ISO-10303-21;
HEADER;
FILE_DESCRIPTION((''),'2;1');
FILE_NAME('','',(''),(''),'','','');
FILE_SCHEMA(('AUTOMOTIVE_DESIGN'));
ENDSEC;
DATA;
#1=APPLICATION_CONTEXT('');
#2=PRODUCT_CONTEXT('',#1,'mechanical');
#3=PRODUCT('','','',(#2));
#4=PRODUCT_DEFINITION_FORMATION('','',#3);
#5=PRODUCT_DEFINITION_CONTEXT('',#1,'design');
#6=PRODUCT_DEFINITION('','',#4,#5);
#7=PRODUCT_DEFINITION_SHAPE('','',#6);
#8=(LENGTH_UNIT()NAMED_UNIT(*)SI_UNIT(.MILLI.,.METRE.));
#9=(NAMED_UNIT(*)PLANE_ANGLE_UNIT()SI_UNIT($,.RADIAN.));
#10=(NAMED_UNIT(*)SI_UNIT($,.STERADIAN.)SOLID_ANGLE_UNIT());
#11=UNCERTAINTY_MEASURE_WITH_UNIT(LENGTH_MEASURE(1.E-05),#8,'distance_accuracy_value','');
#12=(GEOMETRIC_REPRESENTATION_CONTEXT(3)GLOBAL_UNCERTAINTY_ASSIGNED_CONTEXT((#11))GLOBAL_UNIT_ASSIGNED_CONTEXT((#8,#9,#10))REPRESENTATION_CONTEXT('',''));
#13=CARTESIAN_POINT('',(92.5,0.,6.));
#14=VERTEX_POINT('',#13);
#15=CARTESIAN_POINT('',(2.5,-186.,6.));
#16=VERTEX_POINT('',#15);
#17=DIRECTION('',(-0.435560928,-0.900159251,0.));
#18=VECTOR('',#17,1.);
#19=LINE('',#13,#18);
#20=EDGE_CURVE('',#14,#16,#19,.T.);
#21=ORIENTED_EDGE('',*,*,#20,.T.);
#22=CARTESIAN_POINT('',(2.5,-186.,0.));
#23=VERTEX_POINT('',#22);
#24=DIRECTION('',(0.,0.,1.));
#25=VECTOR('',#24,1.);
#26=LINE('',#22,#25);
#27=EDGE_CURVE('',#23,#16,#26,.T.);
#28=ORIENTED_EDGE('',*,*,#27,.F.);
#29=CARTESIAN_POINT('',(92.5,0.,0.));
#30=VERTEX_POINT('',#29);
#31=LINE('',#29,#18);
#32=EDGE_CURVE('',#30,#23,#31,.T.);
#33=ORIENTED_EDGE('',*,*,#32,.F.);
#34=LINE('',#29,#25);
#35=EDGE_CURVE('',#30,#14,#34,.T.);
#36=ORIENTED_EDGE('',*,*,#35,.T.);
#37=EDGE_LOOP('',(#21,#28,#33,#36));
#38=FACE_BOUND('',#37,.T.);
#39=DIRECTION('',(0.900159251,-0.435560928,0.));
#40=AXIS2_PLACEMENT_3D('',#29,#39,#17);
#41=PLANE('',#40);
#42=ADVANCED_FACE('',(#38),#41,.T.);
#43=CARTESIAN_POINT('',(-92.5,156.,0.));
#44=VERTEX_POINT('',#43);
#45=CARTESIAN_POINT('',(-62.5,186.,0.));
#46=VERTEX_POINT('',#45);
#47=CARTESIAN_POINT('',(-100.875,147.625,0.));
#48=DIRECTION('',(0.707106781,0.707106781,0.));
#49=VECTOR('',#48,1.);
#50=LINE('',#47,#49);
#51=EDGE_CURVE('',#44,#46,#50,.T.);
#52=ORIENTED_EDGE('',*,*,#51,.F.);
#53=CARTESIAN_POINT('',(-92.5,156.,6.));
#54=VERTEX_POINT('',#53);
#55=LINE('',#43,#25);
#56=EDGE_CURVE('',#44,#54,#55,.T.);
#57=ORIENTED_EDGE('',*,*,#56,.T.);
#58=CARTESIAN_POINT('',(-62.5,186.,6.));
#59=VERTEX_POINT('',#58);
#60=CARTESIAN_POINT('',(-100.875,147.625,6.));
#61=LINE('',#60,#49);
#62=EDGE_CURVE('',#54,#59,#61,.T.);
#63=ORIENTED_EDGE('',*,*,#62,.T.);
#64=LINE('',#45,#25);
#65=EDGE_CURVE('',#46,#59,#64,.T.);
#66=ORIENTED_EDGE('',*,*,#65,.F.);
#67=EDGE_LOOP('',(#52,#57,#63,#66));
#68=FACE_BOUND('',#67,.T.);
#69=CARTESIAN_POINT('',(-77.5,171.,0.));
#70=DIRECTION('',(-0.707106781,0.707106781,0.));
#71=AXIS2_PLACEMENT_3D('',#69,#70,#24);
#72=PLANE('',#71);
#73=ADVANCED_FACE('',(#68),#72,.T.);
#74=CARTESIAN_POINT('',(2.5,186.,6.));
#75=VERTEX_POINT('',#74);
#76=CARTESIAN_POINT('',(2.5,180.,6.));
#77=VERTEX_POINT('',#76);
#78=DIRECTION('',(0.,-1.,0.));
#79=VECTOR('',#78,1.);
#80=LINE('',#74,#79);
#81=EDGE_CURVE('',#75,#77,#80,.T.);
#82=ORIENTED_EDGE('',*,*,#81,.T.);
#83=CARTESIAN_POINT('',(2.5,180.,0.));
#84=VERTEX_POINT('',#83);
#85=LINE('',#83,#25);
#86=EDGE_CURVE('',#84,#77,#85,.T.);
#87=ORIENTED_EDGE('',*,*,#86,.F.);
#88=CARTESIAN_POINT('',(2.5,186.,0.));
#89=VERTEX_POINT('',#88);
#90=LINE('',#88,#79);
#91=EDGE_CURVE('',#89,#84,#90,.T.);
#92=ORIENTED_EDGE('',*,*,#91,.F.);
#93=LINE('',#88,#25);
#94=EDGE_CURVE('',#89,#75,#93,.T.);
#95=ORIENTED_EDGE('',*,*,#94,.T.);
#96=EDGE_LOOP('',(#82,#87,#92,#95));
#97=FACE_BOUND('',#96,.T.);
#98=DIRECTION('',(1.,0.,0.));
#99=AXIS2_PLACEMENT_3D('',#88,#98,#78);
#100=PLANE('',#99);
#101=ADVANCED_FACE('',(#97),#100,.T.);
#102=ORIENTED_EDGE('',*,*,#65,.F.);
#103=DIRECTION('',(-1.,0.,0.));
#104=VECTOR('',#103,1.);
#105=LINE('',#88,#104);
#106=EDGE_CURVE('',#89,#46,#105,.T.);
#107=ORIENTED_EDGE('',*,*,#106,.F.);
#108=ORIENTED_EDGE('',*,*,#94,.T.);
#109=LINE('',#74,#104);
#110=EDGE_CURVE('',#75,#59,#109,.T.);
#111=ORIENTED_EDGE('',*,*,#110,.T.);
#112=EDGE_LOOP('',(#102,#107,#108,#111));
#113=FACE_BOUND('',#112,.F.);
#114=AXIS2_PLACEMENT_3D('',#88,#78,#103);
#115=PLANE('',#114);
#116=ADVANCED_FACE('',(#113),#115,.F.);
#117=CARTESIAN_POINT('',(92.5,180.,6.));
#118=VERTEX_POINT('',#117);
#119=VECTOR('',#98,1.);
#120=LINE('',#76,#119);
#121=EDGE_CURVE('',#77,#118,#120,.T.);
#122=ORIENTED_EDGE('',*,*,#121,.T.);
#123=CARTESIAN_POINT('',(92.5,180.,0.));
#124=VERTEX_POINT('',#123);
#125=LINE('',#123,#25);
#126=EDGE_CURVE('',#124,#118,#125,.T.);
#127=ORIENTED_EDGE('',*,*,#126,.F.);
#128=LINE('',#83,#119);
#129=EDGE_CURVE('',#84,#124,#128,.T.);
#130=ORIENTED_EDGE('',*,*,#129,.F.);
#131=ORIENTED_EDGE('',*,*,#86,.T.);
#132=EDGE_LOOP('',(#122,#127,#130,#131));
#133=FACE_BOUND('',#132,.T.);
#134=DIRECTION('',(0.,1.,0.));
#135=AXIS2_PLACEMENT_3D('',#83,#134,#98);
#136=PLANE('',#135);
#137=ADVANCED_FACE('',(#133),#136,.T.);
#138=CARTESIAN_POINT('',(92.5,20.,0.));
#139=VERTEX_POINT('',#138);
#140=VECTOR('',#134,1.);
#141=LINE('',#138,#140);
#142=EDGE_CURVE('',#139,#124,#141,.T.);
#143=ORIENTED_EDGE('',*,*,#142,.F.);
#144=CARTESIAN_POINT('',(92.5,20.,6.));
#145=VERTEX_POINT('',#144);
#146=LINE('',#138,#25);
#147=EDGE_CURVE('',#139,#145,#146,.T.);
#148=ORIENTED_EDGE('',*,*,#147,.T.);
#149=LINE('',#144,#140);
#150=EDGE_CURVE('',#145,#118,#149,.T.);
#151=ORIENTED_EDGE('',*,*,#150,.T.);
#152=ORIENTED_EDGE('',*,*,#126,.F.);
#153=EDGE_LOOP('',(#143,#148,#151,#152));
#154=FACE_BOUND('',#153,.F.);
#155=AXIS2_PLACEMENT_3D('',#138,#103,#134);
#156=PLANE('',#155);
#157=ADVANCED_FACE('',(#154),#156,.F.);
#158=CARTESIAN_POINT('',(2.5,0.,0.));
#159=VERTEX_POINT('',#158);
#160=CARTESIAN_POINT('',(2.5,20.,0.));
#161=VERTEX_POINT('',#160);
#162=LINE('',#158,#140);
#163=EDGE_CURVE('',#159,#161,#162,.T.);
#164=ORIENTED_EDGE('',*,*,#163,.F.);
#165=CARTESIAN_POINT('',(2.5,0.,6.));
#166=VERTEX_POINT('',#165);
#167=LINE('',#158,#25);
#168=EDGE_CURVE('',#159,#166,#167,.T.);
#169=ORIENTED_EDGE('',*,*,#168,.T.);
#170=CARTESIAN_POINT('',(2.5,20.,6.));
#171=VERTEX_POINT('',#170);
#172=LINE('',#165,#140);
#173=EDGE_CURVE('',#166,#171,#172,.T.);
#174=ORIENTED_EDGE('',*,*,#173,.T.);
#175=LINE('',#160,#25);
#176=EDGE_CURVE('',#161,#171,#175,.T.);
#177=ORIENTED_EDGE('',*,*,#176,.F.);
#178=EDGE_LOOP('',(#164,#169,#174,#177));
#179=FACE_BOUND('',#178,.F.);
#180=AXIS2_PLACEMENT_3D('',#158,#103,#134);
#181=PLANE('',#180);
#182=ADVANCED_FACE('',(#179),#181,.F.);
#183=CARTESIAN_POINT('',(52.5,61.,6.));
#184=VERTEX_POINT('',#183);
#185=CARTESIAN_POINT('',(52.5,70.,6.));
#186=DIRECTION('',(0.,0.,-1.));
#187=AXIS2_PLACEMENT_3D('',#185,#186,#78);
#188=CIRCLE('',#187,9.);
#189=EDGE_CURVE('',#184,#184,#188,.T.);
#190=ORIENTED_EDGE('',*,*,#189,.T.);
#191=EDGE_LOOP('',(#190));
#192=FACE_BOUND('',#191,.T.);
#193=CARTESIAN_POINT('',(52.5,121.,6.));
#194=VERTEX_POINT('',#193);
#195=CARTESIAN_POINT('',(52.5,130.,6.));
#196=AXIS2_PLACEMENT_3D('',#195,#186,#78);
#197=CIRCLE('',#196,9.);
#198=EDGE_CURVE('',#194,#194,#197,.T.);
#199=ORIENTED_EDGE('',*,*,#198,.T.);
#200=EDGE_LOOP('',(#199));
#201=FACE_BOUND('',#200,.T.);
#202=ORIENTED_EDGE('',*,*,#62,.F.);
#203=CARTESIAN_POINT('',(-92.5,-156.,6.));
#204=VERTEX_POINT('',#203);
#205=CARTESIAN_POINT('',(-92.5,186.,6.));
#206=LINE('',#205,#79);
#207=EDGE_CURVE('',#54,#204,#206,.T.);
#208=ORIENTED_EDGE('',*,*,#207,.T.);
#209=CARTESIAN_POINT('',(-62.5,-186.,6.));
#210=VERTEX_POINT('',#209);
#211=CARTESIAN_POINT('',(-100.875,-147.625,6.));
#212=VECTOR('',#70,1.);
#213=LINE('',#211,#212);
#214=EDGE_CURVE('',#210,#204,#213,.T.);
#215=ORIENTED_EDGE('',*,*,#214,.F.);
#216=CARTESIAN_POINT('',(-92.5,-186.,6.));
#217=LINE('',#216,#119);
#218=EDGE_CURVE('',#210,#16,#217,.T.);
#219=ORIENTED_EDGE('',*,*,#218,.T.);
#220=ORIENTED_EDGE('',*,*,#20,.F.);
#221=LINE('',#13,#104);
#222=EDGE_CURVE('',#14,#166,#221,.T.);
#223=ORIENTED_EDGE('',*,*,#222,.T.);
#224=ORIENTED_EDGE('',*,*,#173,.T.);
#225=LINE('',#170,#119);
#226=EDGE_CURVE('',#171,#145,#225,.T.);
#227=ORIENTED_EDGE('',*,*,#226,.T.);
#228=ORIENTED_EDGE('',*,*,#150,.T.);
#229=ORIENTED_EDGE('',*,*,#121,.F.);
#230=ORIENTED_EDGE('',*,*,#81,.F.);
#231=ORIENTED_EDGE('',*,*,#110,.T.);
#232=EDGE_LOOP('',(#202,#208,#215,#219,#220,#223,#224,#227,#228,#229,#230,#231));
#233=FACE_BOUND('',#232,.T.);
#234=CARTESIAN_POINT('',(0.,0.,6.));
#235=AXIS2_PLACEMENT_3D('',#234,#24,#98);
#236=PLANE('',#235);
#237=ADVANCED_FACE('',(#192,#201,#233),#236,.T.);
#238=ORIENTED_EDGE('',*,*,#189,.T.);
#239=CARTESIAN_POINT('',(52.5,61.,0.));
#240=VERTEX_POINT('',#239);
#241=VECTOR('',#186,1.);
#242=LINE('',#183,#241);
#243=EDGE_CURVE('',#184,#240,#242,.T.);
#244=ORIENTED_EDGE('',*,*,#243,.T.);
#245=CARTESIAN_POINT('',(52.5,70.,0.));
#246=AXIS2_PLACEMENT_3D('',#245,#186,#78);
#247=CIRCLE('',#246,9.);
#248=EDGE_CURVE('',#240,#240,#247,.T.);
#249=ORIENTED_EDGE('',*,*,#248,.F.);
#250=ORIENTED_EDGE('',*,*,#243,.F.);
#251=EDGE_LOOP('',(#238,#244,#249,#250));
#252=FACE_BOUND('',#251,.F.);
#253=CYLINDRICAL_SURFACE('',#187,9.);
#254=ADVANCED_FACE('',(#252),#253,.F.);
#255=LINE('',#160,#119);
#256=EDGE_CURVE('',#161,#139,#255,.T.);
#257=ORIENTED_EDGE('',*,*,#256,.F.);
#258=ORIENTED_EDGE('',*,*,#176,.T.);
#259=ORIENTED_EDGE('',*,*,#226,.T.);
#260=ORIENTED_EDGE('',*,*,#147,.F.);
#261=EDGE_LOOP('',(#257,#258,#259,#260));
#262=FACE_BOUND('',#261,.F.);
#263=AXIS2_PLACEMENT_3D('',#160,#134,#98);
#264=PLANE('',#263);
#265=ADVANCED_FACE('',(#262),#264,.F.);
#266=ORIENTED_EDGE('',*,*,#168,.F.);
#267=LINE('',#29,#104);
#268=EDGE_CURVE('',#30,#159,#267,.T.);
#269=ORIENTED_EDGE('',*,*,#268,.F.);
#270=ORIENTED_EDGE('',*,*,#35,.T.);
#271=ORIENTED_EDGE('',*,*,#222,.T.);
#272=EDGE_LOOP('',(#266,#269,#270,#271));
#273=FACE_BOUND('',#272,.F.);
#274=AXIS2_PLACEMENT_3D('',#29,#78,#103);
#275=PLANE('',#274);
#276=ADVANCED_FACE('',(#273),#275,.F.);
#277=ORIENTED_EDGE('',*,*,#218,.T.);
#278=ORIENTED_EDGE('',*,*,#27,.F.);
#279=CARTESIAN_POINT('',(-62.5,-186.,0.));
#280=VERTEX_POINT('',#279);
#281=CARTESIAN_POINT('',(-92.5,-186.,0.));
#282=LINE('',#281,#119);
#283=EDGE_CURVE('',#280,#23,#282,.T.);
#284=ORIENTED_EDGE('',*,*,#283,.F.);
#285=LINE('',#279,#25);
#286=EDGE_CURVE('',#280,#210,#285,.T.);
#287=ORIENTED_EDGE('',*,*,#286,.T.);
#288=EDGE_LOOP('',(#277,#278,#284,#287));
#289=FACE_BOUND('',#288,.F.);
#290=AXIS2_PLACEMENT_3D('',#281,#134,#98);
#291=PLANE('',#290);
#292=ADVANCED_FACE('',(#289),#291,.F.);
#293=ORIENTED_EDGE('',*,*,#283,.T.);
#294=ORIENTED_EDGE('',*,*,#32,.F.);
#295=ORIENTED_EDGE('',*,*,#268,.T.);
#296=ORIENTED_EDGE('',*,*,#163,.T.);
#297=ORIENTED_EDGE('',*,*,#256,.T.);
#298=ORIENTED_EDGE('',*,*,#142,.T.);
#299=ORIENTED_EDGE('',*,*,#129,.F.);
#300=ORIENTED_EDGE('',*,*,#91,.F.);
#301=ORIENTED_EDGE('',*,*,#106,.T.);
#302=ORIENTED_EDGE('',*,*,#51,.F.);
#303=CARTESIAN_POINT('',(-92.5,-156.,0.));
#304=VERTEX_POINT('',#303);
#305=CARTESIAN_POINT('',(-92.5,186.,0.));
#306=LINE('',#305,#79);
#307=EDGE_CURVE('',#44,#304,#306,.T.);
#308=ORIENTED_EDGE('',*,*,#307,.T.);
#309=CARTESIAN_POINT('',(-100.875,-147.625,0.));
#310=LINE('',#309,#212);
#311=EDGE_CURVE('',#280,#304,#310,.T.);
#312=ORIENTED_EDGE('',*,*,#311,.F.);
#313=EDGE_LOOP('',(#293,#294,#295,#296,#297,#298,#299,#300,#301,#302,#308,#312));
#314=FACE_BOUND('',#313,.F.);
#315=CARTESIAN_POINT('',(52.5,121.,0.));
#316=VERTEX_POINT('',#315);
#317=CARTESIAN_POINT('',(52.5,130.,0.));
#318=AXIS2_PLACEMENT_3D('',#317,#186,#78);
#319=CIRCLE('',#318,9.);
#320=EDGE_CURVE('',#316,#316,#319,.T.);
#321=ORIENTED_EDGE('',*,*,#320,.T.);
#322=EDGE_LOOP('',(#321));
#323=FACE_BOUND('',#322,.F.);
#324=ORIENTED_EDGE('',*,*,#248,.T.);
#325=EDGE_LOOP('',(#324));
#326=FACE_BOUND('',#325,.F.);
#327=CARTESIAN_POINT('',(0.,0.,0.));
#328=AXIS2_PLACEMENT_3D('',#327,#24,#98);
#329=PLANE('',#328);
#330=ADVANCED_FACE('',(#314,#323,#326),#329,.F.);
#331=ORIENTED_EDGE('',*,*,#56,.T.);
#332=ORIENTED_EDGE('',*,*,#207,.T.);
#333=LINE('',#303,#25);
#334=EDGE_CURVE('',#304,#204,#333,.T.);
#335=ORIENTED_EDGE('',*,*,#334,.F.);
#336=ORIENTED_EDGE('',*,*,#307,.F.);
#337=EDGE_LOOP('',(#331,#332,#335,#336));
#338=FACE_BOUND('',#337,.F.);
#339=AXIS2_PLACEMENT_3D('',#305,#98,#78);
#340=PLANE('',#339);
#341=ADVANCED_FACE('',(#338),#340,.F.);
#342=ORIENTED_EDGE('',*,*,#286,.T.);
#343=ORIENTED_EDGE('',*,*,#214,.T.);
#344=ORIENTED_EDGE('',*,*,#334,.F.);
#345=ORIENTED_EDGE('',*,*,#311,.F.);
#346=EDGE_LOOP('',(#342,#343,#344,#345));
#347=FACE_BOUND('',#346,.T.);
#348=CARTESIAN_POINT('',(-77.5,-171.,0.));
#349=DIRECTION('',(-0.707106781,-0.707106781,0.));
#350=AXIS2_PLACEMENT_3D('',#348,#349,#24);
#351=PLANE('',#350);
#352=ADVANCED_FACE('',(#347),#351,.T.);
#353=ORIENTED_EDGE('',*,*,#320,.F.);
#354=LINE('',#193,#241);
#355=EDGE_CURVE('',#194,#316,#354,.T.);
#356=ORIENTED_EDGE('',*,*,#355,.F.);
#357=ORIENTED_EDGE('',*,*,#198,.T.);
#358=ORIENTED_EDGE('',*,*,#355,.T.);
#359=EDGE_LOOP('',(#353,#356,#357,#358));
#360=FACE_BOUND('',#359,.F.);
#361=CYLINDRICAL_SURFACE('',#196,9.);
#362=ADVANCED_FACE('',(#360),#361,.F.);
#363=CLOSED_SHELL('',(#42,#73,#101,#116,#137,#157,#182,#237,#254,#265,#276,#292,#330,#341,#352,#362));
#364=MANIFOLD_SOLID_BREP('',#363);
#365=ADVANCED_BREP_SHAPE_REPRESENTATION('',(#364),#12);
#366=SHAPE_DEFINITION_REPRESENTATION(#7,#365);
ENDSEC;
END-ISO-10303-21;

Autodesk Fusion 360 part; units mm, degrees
sketch "スケッチ1" plane through (0, 0, 0) normal (0, 0, 1) x (1, 0, 0)
  line L0 (2.5, 186) -> (-92.5, 186)
  line L1 (-92.5, 186) -> (-92.5, -186)
  line L2 (-92.5, -186) -> (2.5, -186)
  line L3 (92.5, 20) -> (92.5, 180)
  line L4 (89.5161, 180) -> (-92.5, -186) construction
  line L5 (-92.5, 186) -> (46.8836, -94.274) construction
  line L6 (2.5, 186) -> (2.5, 180)
  line L7 (2.5, 180) -> (92.5, 180)
  line L8 (-92.5, -186) -> (2.5, -186) construction
  line L9 (92.5, 0) -> (2.5, -186)
  line L10 (92.5, 0) -> (2.5, 0)
  line L11 (2.5, 0) -> (2.5, 20)
  line L12 (2.5, 20) -> (92.5, 20)
  dimension "d2" = 372
  dimension "d5" = 95
  dimension "d15" = 90
  dimension "d16" = 20
extrude "押し出し1" add sketch "スケッチ1" along normal blind 6
chamfer "面取り1" distance 30 angle 45 2 edges at (-92.5, -186, 3) (-92.5, 186, 3)
sketch "スケッチ2" plane through (0, 0, 6) normal (0, 0, 1) x (-1, 0, 0)
  line L0 (62.5, -186) -> (92.5, -156)
  line L1 (92.5, -156) -> (92.5, 156)
  line L2 (92.5, 156) -> (62.5, 186)
  line L3 (62.5, 186) -> (-2.5, 186)
  line L4 (-2.5, 186) -> (-92.5, 0)
  line L5 (-92.5, -20) -> (-92.5, -180)
  line L6 (-92.5, -180) -> (-2.5, -180)
  line L7 (-2.5, -180) -> (-2.5, -186)
  line L8 (-2.5, -186) -> (62.5, -186)
  line L9 (-92.5, -180) -> (-52.5, -180) construction
  line L10 (-52.5, -180) -> (-52.5, -130) construction
  line L11 (-52.5, -130) -> (-92.5, -130) construction
  line L12 (-92.5, -130) -> (-92.5, -180) construction
  line L13 (-52.5, -130) -> (-52.5, -70) construction
  line L14 (-92.5, 0) -> (-2.5, 0)
  line L15 (-2.5, 0) -> (-2.5, -20)
  line L16 (-2.5, -20) -> (-92.5, -20)
  point P0 (-52.5, -130)
  point P1 (-52.5, -70)
  dimension "d10" = 40
  dimension "d11" = 50
  dimension "d12" = 60
hole "穴1" at (52.5, 130, 6) at (52.5, 70, 6) direction (0, 0, -1) diameter 18 end through all
equation "d5 = 30 mm + 65 mm"
